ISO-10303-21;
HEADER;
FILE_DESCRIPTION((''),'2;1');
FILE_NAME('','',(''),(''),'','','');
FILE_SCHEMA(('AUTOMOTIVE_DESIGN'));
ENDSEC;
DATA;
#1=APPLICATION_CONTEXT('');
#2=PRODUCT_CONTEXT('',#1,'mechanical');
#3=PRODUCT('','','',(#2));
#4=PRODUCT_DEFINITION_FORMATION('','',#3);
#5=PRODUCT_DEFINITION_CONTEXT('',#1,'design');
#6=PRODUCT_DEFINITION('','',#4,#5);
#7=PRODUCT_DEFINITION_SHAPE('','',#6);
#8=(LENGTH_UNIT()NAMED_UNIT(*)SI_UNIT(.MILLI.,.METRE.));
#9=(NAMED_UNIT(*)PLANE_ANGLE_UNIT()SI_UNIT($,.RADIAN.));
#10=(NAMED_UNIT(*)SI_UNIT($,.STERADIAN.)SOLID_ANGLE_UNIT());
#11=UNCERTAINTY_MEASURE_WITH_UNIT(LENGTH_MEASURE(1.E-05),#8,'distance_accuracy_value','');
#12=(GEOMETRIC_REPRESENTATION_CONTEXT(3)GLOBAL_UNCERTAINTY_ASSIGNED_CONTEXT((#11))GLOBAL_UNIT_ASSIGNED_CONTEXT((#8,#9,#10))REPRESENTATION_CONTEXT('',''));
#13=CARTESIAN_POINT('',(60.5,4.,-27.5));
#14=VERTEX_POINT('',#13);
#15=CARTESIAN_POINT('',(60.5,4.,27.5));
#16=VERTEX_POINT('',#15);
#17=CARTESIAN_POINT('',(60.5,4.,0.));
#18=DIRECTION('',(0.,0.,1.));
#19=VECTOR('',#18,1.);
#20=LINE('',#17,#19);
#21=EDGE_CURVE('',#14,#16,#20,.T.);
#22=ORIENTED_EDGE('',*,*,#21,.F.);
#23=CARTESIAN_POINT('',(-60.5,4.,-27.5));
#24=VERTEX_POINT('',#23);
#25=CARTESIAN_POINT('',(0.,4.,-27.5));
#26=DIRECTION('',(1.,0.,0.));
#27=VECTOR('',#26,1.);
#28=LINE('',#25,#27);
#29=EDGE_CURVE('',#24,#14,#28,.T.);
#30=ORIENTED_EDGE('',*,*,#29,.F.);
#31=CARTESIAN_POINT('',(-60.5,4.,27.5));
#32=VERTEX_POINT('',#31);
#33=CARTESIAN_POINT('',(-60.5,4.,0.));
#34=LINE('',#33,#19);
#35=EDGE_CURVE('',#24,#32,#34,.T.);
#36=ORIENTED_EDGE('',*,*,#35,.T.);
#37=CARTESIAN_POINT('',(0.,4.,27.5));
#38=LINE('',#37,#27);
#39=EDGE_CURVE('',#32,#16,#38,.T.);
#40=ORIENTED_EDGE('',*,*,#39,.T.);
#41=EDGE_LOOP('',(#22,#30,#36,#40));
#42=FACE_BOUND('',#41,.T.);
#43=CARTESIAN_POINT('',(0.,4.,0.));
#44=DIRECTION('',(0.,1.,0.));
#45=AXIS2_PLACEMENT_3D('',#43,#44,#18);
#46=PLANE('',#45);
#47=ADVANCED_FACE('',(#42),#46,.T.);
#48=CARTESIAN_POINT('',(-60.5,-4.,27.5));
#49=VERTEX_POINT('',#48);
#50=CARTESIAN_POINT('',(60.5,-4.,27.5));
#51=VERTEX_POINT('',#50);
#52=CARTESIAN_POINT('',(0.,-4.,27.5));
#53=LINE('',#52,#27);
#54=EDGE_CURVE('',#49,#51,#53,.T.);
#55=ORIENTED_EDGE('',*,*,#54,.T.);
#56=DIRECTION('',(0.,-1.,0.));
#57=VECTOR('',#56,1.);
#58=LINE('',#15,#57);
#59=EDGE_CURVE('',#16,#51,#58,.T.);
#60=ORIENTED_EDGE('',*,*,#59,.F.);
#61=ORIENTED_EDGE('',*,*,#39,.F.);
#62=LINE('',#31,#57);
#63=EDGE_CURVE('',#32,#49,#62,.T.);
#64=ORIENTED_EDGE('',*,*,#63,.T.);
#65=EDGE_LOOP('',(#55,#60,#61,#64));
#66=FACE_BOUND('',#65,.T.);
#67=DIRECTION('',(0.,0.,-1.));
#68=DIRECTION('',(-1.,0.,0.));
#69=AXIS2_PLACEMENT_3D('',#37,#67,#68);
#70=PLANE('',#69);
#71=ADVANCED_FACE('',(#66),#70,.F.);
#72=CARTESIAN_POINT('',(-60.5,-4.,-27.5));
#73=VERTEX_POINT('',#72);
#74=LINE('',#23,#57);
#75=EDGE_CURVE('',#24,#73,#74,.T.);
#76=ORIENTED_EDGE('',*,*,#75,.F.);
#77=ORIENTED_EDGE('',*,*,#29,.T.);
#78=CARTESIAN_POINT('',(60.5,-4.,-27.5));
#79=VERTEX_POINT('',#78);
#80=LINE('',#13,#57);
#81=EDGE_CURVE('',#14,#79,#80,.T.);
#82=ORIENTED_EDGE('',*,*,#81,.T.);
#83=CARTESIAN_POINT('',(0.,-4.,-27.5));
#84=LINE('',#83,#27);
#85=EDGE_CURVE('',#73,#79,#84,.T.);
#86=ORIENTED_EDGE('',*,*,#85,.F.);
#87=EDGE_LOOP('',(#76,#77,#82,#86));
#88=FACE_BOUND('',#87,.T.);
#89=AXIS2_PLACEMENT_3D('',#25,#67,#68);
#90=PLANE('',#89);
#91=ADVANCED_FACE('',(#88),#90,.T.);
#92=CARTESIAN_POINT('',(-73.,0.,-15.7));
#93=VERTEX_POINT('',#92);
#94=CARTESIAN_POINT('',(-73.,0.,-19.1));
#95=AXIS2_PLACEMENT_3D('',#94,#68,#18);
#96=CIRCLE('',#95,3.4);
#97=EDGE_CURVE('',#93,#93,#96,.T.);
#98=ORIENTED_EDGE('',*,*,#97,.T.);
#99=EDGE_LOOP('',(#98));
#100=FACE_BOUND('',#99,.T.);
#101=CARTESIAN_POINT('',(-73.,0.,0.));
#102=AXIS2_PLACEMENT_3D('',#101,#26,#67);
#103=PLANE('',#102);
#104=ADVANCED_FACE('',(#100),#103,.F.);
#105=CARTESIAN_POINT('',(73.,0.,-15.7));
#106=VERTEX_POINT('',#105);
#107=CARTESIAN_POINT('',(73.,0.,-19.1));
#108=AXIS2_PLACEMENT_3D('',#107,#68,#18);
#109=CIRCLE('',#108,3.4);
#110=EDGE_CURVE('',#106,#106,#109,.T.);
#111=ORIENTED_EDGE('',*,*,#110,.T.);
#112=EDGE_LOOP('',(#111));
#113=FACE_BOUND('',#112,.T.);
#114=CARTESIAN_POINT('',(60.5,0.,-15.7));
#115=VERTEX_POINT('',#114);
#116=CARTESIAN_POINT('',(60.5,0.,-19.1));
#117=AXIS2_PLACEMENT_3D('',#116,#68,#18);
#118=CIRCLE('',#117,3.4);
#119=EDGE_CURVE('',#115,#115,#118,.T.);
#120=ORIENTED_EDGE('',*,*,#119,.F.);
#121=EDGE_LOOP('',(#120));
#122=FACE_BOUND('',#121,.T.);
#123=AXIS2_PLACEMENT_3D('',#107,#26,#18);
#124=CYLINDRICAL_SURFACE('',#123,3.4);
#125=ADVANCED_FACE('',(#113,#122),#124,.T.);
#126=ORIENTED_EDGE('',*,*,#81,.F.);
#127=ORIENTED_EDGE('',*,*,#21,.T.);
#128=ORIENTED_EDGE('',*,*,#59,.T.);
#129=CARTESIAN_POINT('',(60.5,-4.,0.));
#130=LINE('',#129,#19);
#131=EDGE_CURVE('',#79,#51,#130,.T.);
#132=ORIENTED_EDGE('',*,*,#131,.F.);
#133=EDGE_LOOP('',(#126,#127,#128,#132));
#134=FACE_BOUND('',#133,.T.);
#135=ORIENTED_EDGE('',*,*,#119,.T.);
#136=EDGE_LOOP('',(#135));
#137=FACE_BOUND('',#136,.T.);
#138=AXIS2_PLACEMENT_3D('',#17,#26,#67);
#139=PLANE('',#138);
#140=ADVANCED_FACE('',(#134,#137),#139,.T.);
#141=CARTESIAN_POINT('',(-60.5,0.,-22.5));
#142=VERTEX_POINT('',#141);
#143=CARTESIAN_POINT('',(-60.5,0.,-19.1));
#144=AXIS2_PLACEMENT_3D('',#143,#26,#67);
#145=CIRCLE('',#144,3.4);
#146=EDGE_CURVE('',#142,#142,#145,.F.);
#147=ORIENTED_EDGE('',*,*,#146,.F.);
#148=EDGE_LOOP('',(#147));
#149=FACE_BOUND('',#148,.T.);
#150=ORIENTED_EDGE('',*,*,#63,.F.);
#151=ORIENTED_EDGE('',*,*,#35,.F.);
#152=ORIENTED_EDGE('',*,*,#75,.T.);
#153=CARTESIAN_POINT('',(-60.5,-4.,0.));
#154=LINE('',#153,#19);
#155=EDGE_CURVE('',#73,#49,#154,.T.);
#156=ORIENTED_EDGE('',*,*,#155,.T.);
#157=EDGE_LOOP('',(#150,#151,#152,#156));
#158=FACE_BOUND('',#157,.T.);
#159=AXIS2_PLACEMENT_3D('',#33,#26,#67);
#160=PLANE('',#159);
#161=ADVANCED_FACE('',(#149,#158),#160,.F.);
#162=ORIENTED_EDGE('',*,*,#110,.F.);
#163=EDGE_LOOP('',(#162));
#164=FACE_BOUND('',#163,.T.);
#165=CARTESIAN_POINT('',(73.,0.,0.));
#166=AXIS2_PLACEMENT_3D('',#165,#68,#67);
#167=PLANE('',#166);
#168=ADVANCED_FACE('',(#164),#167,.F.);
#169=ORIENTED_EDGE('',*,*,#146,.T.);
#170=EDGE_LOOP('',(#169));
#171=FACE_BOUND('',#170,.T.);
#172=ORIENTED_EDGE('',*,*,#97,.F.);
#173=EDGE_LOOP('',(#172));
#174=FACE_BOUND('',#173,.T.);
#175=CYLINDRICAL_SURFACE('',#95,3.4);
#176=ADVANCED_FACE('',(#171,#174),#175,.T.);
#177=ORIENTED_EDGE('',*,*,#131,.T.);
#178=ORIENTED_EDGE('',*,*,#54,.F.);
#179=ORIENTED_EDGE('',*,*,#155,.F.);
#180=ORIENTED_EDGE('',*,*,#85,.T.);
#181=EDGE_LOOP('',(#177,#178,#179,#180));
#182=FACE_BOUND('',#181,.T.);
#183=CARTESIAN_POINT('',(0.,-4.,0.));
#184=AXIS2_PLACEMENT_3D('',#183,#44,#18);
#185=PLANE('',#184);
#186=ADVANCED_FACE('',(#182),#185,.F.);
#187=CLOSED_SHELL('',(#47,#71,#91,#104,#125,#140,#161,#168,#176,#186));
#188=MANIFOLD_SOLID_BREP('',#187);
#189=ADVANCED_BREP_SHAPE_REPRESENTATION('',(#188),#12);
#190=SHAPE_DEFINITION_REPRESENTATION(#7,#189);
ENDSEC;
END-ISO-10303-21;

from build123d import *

# Parameters (mm, degrees)
BOSS_EXTRUDE1_DEPTH = 4
SKETCH1_3_W         = 12.5
SKETCH1_3_H         = 3.4


with BuildPart() as part:
    # Sketch1 → Boss-Extrude1 (new, symmetric)
    with BuildSketch(Plane(origin=(0, 0, 0), x_dir=(1, 0, 0), z_dir=(0, 1, 0))):
        Polygon((-60.5, 27.5), (-60.5, 22.5), (-60.5, 19.1), (-60.5, 15.7), (-60.5, -27.5), (60.5, -27.5), (60.5, 27.5), align=None)
    extrude(amount=BOSS_EXTRUDE1_DEPTH, both=True)

    # Sketch1<3> → Revolve1 (revolve)
    with BuildSketch(Plane(origin=(0, 0, 0), x_dir=(1, 0, 0), z_dir=(0, 1, 0))):
        with Locations((-66.75, 20.8)):
            Rectangle(SKETCH1_3_W, SKETCH1_3_H)
    revolve1 = revolve(axis=Axis((-73, 0, -19.1), (1, 0, 0)))

    # Mirror1: Revolve1 across plane
    add(revolve1.mirror(Plane(origin=(0, 0, 0), x_dir=(0, 0, 1), z_dir=(1, 0, 0))))


solid = part.part
